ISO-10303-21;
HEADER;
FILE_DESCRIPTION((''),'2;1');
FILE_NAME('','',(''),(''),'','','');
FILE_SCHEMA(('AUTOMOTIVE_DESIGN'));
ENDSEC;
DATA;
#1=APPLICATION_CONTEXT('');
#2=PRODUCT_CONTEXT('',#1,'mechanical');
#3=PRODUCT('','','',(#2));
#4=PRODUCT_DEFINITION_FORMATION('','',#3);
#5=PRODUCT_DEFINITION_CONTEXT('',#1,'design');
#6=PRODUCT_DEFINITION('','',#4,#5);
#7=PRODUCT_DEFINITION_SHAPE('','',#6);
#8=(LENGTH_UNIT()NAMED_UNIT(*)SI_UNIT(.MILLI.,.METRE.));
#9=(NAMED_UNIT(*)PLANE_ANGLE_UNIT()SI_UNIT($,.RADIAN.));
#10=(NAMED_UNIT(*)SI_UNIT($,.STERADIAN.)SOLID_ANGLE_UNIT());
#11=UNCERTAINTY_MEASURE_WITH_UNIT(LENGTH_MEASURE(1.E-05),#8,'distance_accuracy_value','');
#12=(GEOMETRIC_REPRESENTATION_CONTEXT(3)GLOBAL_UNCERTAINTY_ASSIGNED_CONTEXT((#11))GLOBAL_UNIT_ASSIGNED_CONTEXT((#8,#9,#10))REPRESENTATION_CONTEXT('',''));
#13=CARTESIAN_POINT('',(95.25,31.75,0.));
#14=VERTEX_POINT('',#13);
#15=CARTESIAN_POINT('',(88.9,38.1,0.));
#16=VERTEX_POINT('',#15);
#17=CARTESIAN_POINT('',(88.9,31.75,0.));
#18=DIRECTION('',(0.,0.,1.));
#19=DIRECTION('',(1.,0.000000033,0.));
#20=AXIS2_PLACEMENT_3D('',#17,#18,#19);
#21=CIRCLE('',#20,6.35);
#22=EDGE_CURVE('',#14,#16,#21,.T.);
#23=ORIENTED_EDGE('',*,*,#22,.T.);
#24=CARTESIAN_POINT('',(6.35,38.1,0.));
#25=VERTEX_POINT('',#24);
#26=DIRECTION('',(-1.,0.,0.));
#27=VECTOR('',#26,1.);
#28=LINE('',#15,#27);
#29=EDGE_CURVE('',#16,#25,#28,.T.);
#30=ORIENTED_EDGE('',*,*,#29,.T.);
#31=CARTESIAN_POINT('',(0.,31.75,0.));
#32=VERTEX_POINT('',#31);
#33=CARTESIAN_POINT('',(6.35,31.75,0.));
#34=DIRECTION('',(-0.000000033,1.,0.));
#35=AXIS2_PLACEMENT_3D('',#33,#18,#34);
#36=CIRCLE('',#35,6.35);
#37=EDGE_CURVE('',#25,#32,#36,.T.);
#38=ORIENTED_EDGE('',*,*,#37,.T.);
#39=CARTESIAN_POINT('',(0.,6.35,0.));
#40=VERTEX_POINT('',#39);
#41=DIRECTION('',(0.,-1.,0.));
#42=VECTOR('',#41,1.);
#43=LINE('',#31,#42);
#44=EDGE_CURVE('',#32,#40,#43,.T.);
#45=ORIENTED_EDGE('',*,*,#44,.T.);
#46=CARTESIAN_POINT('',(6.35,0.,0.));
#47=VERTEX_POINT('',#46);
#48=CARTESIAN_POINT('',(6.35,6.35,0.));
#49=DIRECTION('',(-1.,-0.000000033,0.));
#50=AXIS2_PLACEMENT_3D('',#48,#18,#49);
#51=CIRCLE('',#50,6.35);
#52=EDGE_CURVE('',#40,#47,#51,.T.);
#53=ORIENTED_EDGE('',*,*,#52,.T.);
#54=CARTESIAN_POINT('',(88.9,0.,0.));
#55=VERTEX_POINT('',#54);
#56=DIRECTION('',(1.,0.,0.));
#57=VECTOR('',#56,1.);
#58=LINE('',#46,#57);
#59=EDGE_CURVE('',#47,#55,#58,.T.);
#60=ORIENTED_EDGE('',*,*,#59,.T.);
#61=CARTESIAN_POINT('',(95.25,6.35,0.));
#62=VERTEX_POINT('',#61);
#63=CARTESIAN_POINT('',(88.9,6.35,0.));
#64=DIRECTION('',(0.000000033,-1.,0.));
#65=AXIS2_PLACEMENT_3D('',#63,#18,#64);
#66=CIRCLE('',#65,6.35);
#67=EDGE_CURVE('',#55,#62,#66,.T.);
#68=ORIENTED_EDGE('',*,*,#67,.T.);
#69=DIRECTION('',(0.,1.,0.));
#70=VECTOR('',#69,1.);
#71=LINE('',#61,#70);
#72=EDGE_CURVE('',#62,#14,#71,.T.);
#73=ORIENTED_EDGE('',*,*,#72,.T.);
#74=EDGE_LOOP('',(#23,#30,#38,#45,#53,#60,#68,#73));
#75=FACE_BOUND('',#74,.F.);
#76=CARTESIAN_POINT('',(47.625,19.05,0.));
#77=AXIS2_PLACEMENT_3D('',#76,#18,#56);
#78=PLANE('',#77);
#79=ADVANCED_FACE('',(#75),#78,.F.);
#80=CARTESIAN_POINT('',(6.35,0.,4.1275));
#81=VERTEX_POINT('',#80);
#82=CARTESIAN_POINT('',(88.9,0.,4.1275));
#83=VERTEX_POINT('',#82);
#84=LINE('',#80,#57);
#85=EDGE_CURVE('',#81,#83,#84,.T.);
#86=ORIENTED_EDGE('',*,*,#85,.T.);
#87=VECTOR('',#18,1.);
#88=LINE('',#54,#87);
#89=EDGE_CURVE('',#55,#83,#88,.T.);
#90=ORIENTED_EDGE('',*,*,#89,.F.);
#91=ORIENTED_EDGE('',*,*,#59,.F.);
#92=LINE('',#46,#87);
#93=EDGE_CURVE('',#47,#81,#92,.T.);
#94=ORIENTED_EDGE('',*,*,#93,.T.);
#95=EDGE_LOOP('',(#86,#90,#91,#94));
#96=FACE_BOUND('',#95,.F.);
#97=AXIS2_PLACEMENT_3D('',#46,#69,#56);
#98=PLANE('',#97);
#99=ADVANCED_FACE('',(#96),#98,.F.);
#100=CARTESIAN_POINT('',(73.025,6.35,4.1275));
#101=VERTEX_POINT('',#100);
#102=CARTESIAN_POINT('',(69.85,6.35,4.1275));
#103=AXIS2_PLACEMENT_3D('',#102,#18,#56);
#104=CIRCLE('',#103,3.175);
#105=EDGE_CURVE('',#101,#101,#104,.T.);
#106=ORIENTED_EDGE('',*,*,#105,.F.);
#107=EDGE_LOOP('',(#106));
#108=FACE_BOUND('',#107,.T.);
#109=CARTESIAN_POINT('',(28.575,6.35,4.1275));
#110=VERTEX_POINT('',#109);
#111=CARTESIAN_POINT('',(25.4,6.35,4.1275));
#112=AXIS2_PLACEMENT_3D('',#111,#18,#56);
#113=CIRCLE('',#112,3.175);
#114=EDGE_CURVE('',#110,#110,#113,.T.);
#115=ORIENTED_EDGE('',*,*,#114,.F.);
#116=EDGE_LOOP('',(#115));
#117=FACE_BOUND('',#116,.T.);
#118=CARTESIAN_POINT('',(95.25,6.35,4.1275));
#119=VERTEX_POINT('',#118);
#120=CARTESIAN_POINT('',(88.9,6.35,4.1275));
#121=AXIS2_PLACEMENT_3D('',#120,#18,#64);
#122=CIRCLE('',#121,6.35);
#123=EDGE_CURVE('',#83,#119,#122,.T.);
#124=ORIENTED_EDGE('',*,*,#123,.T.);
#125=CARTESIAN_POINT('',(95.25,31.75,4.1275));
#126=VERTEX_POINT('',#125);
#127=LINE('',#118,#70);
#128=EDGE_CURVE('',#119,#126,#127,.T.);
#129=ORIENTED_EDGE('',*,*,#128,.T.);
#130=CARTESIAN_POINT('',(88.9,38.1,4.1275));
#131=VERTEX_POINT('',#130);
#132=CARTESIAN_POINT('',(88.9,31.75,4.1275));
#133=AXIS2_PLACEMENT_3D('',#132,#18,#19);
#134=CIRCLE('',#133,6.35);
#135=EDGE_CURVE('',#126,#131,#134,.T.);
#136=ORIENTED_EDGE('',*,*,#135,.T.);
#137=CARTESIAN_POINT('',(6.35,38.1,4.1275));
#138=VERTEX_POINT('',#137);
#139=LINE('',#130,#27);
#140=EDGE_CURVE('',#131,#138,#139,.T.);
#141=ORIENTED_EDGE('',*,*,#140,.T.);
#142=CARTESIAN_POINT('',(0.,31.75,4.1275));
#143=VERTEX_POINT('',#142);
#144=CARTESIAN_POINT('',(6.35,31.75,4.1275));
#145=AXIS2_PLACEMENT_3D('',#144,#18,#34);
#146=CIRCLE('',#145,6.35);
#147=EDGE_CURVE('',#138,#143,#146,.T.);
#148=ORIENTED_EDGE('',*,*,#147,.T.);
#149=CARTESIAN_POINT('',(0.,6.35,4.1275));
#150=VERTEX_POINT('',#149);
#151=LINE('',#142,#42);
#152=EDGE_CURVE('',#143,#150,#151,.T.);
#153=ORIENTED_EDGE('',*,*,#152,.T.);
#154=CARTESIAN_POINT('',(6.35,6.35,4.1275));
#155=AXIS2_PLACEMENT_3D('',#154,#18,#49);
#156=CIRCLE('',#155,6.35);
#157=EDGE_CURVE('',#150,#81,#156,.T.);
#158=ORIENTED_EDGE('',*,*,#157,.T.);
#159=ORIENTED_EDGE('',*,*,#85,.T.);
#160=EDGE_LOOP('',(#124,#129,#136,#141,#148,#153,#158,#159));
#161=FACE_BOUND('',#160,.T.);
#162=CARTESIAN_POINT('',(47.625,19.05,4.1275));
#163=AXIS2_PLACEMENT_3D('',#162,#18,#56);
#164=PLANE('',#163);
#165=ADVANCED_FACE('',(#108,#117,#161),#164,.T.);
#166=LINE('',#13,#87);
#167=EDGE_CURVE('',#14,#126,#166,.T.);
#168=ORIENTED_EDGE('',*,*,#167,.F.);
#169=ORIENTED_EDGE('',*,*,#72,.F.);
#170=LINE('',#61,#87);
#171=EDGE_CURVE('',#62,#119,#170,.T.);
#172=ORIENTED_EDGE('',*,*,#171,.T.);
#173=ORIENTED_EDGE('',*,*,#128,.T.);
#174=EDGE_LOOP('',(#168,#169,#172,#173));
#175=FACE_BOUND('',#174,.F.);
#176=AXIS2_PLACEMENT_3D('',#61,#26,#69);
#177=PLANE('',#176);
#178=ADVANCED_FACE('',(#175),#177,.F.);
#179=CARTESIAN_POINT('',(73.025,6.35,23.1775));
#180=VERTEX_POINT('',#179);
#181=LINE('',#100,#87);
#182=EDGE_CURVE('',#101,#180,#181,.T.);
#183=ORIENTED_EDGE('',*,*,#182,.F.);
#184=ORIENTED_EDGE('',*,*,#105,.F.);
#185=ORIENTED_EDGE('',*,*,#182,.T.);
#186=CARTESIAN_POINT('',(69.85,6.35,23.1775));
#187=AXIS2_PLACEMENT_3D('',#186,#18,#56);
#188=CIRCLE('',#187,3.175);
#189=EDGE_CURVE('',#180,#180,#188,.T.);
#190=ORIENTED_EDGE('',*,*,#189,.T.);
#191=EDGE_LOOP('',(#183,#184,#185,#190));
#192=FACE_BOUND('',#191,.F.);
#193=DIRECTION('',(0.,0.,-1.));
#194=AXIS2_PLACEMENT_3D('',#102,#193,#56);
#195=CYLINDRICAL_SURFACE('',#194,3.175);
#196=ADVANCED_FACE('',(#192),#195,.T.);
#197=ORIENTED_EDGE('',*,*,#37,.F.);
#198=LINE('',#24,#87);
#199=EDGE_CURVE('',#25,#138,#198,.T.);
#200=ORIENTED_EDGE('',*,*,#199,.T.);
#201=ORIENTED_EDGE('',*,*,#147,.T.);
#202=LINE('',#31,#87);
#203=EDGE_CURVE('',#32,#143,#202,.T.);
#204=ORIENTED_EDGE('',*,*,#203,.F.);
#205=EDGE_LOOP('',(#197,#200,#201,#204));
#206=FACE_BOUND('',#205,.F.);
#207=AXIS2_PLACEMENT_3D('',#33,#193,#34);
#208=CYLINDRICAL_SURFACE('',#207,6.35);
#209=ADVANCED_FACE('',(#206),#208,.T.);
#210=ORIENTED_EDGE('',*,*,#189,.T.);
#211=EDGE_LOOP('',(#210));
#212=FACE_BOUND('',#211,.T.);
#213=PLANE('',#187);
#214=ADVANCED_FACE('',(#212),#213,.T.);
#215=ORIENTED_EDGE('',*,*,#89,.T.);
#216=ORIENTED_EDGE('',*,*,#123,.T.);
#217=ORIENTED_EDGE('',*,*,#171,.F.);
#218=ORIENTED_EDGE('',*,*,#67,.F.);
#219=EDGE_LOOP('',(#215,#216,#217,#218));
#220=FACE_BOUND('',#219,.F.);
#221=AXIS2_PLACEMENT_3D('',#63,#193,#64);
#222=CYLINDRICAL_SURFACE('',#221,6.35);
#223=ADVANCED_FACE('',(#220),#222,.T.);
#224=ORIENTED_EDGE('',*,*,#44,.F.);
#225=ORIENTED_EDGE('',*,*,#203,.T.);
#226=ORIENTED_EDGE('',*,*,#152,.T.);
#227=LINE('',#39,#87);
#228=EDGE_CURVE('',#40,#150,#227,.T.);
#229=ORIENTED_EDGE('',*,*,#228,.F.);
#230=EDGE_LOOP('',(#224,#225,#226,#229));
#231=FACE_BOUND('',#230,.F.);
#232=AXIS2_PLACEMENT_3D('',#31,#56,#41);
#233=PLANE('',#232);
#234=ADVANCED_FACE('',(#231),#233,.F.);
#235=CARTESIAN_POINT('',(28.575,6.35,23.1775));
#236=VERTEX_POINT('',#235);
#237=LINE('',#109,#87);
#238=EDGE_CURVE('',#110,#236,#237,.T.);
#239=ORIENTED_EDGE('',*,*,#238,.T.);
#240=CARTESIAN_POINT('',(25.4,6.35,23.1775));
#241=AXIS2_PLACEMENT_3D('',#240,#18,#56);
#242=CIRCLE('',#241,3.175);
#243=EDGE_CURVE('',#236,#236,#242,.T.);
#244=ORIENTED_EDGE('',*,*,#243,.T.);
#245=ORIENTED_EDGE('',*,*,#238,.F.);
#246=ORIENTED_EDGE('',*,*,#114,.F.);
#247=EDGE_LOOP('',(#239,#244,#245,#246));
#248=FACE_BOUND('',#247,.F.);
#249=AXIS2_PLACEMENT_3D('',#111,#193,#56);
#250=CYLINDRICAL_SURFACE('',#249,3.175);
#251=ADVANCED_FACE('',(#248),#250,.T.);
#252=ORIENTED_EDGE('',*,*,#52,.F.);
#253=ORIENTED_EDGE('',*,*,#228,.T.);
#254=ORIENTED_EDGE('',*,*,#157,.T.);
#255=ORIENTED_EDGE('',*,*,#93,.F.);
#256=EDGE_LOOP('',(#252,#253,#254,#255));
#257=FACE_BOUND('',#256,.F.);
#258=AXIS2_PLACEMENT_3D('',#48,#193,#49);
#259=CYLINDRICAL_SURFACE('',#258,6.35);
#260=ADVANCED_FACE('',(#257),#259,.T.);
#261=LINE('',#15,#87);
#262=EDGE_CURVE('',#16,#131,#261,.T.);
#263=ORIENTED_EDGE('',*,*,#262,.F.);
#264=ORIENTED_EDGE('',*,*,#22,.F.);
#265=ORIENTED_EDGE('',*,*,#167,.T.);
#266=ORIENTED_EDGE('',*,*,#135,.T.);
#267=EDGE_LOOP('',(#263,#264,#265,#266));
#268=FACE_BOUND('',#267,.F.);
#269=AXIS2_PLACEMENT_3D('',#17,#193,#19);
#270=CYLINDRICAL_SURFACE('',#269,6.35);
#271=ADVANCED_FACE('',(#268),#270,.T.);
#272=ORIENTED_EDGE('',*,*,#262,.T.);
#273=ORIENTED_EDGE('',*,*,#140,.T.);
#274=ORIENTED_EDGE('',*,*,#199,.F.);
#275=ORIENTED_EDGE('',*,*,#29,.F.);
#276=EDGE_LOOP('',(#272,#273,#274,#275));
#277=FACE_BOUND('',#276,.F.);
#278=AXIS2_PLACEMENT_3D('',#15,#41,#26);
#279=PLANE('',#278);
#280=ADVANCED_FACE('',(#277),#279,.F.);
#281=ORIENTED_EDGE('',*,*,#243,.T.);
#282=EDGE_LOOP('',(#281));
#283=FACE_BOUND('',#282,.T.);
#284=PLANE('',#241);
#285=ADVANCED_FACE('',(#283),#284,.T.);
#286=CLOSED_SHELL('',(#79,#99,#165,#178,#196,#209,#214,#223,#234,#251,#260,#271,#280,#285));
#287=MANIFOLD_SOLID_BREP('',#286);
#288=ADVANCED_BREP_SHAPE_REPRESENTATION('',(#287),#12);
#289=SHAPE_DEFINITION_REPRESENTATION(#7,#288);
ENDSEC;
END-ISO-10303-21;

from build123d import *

# Parameters (mm, degrees)
F1_DEPTH = 4.1275
F2_R     = 3.175
F3_DEPTH = 19.05


with BuildPart() as f1:
    # F0 (on Top) → F1 (new body)
    with BuildSketch(Plane.XY):
        with BuildLine():
            ThreePointArc((0, 6.35), (1.859872, 1.859872), (6.35, 0))
            Line((6.35, 0), (88.9, 0))
            ThreePointArc((88.9, 0), (93.390128, 1.859872), (95.25, 6.35))
            Line((95.25, 6.35), (95.25, 31.75))
            ThreePointArc((95.25, 31.75), (93.390128, 36.240128), (88.9, 38.1))
            Line((88.9, 38.1), (6.35, 38.1))
            ThreePointArc((6.35, 38.1), (1.859872, 36.240128), (0, 31.75))
            Line((0, 31.75), (0, 6.35))
        make_face()
    extrude(amount=F1_DEPTH)

    # F2 (on face) → F3 (join)
    with BuildSketch(Plane.XY.offset(4.1275)):
        with Locations((25.4, 6.35)):
            Circle(F2_R)
        with Locations((69.85, 6.35)):
            Circle(F2_R)
    extrude(amount=F3_DEPTH)


solid = f1.part
